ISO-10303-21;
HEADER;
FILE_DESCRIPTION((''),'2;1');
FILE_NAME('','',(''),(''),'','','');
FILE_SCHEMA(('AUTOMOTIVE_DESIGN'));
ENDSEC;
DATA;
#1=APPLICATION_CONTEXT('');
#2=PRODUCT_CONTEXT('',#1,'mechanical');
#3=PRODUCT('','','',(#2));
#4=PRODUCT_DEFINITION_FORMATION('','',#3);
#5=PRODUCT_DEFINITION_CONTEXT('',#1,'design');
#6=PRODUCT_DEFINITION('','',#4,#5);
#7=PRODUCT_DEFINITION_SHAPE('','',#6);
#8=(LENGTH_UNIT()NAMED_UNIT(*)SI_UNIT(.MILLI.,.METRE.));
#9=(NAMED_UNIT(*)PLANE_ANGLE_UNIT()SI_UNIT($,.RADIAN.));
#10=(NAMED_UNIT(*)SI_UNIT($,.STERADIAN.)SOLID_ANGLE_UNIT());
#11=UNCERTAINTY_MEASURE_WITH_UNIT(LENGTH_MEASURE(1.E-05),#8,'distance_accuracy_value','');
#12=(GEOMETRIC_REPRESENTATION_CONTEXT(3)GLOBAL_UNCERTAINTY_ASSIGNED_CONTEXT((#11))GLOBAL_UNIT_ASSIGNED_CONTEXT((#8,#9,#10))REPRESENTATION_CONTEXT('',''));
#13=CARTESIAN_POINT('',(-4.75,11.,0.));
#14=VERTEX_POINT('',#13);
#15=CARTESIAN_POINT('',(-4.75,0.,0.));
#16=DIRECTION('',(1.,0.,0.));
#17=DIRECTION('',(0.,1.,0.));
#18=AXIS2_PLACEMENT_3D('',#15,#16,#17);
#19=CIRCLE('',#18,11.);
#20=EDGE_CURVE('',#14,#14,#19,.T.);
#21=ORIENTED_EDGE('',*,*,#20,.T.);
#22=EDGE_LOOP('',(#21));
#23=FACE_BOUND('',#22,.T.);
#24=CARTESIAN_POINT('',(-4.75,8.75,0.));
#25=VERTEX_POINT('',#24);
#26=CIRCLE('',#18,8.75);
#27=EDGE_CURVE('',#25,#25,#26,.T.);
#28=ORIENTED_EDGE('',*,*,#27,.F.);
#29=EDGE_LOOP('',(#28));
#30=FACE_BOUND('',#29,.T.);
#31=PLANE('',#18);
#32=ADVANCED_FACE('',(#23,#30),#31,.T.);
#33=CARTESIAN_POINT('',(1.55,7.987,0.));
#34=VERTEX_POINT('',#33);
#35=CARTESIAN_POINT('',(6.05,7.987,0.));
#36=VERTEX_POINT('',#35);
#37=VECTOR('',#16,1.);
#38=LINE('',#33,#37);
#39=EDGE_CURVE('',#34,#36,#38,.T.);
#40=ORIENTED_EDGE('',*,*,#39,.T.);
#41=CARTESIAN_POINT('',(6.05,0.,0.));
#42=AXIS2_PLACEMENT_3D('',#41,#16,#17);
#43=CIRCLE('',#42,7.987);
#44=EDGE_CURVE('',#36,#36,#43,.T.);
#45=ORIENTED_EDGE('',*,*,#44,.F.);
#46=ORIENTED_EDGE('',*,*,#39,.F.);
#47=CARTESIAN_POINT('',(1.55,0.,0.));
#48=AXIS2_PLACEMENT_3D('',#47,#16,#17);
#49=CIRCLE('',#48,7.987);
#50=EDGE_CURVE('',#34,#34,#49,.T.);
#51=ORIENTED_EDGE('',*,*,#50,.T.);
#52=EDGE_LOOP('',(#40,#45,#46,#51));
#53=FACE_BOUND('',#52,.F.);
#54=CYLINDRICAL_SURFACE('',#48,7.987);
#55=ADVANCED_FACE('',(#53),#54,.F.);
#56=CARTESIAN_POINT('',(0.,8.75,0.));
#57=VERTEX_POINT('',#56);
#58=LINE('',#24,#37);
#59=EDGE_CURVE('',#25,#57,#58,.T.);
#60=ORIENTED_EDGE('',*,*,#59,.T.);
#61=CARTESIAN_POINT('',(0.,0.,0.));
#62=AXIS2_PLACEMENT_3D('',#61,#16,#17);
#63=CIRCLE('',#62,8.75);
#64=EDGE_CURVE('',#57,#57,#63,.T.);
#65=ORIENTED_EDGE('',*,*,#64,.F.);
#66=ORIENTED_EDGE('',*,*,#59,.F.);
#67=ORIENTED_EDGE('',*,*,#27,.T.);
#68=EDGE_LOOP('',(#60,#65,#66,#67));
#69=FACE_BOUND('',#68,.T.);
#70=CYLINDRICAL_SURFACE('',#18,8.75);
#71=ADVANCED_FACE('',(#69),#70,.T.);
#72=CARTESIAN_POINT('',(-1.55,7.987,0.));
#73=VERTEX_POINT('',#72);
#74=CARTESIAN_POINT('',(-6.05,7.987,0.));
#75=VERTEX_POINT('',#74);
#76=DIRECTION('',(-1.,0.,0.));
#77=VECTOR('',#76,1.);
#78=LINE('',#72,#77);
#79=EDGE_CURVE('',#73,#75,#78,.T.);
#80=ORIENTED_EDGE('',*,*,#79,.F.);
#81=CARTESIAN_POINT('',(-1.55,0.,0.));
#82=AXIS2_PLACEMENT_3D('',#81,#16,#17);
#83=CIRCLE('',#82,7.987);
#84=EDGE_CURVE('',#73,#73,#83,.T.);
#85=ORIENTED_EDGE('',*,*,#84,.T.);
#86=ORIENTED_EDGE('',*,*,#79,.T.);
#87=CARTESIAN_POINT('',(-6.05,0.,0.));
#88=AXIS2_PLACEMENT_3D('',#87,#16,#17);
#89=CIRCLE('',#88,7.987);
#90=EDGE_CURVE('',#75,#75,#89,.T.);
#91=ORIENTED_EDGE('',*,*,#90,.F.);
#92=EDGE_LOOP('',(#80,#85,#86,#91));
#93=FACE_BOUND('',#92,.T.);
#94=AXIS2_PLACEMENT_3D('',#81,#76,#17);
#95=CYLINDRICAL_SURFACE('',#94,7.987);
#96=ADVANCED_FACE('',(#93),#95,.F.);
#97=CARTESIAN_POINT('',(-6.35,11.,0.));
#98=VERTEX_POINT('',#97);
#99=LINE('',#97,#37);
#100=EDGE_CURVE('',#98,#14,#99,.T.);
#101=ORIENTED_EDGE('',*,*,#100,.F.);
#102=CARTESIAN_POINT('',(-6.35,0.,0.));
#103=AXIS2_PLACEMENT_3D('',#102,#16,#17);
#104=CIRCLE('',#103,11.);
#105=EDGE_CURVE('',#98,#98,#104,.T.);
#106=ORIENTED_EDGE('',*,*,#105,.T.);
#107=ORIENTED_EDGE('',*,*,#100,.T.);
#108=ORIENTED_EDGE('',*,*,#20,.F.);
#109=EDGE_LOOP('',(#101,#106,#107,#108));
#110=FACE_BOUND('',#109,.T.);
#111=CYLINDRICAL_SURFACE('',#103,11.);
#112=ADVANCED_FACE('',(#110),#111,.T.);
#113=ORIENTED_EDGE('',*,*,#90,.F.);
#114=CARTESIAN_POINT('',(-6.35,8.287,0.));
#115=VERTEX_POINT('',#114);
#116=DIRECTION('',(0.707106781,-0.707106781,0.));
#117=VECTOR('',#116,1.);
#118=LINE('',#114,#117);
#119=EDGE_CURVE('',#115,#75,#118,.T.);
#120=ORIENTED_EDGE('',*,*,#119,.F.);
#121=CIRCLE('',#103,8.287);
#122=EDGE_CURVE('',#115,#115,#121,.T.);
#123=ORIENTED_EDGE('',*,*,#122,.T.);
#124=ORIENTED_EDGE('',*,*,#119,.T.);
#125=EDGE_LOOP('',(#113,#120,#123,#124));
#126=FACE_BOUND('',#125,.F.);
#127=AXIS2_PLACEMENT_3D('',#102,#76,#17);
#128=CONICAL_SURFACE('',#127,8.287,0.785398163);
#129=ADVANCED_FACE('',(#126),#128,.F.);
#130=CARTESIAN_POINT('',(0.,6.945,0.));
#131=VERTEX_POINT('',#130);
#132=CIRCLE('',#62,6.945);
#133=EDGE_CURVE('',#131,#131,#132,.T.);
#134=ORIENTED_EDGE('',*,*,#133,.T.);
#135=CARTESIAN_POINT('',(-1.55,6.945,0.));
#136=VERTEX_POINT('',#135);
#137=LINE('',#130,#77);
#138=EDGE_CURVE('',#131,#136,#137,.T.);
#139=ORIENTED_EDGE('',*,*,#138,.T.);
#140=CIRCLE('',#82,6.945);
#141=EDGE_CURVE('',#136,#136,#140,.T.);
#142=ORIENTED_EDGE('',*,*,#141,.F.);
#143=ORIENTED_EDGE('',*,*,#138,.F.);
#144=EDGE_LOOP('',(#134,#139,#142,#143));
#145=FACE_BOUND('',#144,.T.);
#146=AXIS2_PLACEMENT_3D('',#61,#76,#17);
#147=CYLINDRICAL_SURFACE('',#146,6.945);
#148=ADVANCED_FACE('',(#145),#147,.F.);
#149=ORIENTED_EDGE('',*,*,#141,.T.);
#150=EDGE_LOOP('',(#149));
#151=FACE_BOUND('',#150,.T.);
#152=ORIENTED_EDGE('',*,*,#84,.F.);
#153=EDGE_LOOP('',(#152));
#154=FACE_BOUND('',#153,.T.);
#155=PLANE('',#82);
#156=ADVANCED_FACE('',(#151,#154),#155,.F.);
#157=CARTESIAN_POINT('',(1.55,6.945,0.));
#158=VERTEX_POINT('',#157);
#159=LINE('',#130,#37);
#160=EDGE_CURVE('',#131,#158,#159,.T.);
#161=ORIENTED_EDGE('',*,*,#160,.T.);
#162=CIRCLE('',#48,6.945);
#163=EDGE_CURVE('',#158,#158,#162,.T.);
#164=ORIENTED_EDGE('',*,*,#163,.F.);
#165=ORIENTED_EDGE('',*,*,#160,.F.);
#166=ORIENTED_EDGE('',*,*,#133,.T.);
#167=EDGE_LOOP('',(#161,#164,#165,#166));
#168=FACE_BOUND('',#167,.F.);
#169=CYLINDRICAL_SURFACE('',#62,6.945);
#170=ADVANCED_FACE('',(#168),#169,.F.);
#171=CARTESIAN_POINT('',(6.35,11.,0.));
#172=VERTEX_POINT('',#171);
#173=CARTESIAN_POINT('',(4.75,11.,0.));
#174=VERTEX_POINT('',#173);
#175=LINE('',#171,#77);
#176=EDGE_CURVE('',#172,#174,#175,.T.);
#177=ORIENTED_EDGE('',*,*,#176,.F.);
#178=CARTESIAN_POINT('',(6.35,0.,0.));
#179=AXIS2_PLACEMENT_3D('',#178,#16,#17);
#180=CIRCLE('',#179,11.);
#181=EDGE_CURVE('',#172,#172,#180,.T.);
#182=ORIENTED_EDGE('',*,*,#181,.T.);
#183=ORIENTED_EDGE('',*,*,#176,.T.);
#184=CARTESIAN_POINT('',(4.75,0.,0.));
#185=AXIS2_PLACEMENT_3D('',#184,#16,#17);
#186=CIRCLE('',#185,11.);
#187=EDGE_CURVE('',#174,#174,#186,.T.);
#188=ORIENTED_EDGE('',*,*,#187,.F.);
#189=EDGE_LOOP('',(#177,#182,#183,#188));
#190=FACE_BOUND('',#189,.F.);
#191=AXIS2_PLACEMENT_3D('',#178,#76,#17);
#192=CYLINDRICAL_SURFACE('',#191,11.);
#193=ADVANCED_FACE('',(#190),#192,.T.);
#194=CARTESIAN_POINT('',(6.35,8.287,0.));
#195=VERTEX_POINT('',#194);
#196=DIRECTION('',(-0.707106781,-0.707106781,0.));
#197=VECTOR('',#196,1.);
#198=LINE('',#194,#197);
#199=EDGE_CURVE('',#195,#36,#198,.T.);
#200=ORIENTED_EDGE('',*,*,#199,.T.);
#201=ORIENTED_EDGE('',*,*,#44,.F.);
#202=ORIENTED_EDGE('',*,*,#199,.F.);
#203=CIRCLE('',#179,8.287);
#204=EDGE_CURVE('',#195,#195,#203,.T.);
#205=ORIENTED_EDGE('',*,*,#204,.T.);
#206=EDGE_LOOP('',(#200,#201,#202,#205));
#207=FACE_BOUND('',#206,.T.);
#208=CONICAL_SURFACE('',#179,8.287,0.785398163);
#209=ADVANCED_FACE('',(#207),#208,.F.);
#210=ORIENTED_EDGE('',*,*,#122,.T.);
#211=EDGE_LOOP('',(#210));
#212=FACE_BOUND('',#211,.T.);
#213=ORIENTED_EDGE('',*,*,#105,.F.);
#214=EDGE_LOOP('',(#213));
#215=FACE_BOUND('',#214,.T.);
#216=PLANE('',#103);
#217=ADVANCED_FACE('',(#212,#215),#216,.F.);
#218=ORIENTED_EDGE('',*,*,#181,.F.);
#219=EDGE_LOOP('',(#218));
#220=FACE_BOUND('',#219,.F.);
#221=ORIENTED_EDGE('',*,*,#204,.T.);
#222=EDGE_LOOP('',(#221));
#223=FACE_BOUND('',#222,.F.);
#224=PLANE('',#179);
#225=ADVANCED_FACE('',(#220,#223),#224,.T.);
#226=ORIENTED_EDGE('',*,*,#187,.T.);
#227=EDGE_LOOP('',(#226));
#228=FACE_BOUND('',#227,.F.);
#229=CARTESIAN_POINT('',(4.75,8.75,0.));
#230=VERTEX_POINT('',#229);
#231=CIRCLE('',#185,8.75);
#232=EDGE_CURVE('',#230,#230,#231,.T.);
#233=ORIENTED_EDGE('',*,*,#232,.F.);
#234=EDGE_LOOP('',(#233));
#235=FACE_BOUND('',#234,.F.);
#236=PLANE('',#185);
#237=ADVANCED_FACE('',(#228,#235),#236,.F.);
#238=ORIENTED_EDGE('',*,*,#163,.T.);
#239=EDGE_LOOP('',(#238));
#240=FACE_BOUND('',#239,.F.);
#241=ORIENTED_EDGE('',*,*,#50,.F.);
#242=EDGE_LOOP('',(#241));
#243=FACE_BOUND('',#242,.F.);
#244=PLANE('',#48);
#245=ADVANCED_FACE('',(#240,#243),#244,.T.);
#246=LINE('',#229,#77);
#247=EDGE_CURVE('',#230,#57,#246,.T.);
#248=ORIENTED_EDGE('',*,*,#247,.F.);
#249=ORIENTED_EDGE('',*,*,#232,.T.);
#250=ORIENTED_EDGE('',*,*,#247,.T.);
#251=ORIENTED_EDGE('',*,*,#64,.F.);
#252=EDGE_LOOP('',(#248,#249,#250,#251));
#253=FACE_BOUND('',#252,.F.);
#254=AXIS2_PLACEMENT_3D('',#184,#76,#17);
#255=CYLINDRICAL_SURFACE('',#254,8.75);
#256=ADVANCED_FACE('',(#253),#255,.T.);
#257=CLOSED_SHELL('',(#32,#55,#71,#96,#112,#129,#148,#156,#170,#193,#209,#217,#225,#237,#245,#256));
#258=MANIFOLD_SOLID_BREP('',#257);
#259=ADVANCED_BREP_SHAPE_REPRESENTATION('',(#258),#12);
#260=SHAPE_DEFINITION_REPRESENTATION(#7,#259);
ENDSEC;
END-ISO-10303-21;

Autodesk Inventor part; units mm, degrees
ref_plane "YZ Plane" through (0, 0, 0) normal (1, 0, 0) x (0, 1, 0)
ref_plane "XZ Plane" through (0, 0, 0) normal (0, 1, 0) x (-1, 0, 0)
ref_plane "XY Plane" through (0, 0, 0) normal (0, 0, 1) x (1, 0, 0)
sketch "Sketch1" plane through (0, 0, 0) normal (0, 0, 1) x (1, 0, 0)
  line L0 (0, 0) -> (5, 0)
  line L1 (0, 0) -> (0, 15.689) construction
  line L2 (0, 6.945) -> (1.55, 6.945)
  line L3 (1.55, 6.945) -> (1.55, 7.987)
  line L4 (1.55, 7.987) -> (6.05, 7.987)
  line L5 (6.35, 8.287) -> (6.35, 11)
  line L6 (6.35, 11) -> (4.75, 11)
  line L7 (4.75, 11) -> (4.75, 8.75)
  line L8 (4.75, 8.75) -> (0, 8.75)
  line L9 (6.35, 8.287) -> (6.05, 7.987)
  line L10 (0, 6.945) -> (-1.55, 6.945)
  line L11 (-1.55, 6.945) -> (-1.55, 7.987)
  line L12 (-1.55, 7.987) -> (-6.05, 7.987)
  line L13 (-6.35, 8.287) -> (-6.35, 11)
  line L14 (-6.35, 11) -> (-4.75, 11)
  line L15 (-4.75, 11) -> (-4.75, 8.75)
  line L16 (-4.75, 8.75) -> (0, 8.75)
  line L17 (-6.35, 8.287) -> (-6.05, 7.987)
  point P0 (6.35, 7.987)
  point P1 (-6.35, 7.987)
  dimension "d0" = 5
  dimension "d1" = 1.55
  dimension "d2" = 13.89
  dimension "d3" = 15.974
  dimension "d5" = 22
  dimension "d6" = 17.5
  dimension "d7" = 1.6
  dimension "d8" = 4.75
  dimension "d9" = 0.3
  dimension "d10" = 0.3
revolve "Revolution1" add sketch "Sketch1" angle 360 about axis through (0, 0, 0) along (1, 0, 0)
equation "\"d10\" = d9"
properties part number "V-Slot Idler Pulley" material "Acetal Resin, Black"
